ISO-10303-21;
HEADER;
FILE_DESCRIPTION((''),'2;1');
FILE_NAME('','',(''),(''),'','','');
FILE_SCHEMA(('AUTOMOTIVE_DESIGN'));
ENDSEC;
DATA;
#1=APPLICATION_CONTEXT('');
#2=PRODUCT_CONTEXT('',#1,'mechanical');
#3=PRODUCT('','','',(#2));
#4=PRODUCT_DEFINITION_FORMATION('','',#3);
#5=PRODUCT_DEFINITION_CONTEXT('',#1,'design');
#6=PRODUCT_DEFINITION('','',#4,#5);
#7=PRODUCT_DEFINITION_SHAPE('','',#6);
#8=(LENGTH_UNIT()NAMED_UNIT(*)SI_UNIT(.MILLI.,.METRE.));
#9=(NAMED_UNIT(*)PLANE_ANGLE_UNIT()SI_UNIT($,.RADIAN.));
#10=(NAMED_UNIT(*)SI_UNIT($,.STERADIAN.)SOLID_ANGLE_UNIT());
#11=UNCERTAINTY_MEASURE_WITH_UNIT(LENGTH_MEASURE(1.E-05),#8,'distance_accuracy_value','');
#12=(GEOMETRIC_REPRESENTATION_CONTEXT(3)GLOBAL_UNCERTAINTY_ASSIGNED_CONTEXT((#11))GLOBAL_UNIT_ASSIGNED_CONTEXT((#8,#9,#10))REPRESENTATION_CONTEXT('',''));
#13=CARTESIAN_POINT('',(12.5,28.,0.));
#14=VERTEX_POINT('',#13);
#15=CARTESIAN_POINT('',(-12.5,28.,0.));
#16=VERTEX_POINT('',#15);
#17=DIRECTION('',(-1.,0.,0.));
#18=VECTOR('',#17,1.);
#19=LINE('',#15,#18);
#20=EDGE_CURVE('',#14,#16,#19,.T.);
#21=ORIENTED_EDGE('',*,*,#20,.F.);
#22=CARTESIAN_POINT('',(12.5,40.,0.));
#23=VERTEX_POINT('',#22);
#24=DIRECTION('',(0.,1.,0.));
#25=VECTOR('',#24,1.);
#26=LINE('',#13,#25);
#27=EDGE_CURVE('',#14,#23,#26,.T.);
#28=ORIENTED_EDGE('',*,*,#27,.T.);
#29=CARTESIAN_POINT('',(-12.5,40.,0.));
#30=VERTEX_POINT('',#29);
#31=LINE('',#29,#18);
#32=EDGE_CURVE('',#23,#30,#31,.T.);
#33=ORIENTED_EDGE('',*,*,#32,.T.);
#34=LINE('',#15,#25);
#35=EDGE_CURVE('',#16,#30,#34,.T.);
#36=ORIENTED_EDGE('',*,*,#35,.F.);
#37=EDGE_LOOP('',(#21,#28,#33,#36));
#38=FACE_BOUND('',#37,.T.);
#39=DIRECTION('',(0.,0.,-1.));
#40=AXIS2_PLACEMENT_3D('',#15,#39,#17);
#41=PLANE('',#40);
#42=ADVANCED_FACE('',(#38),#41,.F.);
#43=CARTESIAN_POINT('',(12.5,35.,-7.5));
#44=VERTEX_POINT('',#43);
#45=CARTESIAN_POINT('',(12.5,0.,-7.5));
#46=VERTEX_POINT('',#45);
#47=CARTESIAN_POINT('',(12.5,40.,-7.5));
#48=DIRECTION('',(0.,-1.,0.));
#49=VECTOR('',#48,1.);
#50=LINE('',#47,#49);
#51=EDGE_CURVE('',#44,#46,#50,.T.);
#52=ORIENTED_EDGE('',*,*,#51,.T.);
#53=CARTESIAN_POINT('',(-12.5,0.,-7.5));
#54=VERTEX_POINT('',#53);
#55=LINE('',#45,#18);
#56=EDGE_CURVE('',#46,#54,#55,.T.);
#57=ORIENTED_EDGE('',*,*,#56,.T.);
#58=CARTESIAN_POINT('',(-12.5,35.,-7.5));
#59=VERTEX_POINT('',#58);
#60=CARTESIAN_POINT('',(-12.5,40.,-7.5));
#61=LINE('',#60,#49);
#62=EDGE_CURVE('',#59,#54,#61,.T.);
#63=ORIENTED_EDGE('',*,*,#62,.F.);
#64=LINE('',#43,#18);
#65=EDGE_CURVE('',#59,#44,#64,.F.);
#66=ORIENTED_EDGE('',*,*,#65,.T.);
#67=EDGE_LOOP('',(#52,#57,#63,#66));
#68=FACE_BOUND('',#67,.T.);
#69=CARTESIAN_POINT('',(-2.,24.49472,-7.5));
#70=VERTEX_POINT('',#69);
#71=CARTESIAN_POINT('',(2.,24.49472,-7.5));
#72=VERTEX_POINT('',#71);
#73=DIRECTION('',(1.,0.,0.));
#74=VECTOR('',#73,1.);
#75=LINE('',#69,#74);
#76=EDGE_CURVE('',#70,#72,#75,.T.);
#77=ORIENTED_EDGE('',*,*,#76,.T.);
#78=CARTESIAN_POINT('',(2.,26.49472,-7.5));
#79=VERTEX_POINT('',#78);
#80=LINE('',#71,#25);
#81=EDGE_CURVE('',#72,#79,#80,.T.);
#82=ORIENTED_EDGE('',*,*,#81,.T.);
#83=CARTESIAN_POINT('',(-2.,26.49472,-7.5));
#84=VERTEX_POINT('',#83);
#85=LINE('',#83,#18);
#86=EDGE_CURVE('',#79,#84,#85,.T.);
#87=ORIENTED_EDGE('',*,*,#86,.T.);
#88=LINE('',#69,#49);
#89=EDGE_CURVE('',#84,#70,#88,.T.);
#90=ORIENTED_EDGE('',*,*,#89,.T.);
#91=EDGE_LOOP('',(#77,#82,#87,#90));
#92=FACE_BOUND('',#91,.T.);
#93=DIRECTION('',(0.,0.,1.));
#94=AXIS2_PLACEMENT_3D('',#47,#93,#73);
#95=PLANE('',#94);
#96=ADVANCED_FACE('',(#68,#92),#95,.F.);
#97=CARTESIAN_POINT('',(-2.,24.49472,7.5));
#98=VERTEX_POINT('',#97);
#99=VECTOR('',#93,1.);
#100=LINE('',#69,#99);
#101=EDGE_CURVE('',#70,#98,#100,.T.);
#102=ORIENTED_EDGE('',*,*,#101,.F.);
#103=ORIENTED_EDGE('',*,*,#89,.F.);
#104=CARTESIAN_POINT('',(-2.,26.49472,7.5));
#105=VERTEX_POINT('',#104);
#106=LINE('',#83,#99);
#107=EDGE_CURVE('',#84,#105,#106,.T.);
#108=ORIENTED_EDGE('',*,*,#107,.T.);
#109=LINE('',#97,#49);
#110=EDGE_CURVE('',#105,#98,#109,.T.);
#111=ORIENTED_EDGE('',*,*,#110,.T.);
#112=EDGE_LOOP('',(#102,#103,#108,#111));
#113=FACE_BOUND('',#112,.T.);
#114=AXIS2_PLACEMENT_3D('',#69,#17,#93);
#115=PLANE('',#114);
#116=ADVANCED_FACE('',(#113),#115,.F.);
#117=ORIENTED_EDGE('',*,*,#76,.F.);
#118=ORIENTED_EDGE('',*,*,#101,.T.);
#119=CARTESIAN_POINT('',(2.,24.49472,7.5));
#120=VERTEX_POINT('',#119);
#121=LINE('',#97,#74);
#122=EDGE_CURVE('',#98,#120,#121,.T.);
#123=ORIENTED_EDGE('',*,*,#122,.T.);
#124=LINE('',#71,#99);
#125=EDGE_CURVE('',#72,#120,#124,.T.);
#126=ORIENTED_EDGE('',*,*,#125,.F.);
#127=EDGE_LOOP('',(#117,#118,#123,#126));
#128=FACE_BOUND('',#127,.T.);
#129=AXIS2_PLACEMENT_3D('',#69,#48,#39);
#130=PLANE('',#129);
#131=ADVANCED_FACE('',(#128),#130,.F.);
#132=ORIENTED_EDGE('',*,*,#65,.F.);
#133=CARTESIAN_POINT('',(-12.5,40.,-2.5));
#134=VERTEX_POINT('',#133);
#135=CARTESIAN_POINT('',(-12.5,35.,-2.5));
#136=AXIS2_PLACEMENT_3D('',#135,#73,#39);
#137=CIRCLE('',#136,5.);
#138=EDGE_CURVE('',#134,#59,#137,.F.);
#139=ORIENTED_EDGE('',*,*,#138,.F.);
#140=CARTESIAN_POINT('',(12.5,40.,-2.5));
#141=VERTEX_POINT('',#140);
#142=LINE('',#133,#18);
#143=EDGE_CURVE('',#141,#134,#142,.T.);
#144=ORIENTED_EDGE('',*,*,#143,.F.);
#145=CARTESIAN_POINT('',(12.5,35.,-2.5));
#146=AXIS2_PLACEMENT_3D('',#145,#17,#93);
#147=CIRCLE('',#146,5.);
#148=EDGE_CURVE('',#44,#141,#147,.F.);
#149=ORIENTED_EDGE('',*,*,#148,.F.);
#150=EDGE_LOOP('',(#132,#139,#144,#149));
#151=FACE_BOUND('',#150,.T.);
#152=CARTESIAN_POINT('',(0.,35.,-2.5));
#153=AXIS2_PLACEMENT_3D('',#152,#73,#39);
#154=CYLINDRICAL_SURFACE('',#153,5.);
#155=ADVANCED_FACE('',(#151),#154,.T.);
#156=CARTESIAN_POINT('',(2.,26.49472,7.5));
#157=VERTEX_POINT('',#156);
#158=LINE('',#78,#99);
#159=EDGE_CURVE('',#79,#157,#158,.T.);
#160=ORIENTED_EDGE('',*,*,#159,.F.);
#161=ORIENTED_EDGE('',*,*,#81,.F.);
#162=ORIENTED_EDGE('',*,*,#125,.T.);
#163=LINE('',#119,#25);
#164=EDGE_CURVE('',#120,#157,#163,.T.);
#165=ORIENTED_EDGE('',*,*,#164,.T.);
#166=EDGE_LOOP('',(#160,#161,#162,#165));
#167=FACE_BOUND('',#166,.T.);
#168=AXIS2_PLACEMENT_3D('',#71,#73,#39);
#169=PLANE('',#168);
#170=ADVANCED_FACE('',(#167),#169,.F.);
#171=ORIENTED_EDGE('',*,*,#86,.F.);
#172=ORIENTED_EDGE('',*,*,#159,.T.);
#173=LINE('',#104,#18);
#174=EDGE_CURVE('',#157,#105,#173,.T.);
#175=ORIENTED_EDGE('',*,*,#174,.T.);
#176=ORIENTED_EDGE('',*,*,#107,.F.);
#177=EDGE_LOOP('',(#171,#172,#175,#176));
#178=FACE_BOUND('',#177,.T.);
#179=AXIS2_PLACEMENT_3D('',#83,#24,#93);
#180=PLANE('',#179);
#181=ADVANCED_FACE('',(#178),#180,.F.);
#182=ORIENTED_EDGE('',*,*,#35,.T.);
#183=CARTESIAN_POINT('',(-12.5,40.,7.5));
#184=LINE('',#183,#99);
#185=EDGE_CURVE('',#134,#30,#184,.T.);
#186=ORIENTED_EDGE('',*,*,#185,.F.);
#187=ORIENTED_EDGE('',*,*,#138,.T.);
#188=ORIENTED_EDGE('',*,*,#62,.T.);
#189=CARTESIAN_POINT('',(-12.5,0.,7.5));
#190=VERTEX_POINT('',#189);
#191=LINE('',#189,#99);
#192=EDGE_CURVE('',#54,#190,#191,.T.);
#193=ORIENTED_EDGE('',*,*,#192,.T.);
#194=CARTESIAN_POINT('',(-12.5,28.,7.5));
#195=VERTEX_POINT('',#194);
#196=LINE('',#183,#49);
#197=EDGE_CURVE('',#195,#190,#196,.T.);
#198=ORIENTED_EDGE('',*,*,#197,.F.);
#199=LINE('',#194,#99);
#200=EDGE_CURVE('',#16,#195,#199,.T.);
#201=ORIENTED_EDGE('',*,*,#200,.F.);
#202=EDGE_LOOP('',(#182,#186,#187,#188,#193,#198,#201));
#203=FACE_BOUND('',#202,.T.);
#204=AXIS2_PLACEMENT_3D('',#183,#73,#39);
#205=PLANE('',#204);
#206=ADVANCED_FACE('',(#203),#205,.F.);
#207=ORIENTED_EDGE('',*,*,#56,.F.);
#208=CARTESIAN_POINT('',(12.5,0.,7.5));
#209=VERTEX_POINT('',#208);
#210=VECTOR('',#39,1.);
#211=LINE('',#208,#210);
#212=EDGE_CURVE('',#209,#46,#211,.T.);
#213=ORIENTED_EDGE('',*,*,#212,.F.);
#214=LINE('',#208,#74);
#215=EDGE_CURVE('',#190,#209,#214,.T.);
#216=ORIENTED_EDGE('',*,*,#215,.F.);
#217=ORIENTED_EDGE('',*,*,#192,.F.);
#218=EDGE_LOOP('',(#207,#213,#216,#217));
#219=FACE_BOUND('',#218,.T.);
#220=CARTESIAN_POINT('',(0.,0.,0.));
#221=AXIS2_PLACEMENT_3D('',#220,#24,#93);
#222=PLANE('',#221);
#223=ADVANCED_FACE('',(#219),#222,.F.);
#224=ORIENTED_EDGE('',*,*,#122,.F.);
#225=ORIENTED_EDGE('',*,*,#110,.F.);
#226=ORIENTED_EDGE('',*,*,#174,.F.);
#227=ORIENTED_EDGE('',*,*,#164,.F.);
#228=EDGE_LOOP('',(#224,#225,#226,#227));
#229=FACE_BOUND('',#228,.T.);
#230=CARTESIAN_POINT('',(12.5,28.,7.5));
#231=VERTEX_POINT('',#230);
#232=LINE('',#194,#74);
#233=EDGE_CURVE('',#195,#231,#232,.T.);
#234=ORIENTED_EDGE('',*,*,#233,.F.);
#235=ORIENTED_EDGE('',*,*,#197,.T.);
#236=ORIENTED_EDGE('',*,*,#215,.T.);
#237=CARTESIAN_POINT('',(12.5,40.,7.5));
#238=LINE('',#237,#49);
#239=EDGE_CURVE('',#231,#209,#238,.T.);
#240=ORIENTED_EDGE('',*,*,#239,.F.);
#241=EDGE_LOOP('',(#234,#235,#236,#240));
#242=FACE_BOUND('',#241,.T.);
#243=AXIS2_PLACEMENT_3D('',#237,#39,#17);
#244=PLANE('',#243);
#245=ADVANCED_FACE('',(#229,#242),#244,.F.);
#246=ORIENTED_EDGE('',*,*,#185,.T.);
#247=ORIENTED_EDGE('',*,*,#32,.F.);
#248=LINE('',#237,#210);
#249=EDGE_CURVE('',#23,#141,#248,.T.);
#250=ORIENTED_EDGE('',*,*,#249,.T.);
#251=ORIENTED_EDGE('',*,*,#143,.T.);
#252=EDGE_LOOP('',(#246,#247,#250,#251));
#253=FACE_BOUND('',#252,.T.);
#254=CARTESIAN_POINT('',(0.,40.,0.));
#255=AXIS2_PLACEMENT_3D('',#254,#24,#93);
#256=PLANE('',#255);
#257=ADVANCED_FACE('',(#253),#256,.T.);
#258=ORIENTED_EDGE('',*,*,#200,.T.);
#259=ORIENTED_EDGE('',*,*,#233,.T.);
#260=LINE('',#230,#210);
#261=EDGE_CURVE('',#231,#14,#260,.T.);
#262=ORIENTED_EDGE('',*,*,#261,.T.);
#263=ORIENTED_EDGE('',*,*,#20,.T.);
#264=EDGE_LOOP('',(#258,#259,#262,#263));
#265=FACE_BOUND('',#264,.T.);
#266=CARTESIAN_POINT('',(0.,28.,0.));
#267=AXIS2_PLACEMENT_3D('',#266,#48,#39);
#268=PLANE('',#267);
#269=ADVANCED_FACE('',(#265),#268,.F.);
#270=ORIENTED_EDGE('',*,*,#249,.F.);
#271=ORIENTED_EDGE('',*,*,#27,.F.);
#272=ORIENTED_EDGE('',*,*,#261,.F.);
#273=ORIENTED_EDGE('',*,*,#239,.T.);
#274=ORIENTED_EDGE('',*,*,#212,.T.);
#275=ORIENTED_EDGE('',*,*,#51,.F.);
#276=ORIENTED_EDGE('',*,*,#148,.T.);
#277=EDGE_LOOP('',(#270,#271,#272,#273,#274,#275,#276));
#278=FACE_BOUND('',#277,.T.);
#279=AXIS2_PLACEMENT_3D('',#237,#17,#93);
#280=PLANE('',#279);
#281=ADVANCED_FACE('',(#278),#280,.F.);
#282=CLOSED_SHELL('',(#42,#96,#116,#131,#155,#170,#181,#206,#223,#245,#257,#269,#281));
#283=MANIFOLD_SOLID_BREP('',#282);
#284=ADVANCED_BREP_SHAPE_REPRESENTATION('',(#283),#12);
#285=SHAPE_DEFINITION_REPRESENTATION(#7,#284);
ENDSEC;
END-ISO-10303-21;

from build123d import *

# Parameters (mm, degrees)
SKIZZE1_W                       = 25
SKIZZE1_H                       = 15
AUFSATZ_LINEAR_AUSTRAGEN1_DEPTH = 40
SKIZZE2_W                       = 25
SKIZZE2_H                       = 7.5
SCHNITT_LINEAR_AUSTRAGEN1_DEPTH = 12
VERRUNDUNG1_R                   = 5
SKIZZE3_W                       = 4
SKIZZE3_H                       = 2
SCHNITT_LINEAR_AUSTRAGEN2_DEPTH = 45.511234537


with BuildPart() as part:
    # Skizze1 → Aufsatz-Linear austragen1 (new body)
    with BuildSketch(Plane(origin=(0, 0, 0), x_dir=(1, 0, 0), z_dir=(0, 1, 0))):
        Rectangle(SKIZZE1_W, SKIZZE1_H)
    extrude(amount=AUFSATZ_LINEAR_AUSTRAGEN1_DEPTH)

    # Skizze2 → Schnitt-Linear austragen1 (cut)
    with BuildSketch(Plane(origin=(0, 40, 0), x_dir=(1, 0, 0), z_dir=(0, 1, 0))):
        with Locations((0, -3.75)):
            Rectangle(SKIZZE2_W, SKIZZE2_H)
    extrude(amount=-SCHNITT_LINEAR_AUSTRAGEN1_DEPTH, mode=Mode.SUBTRACT)

    # Verrundung1
    verrundung1_edges = [part.edges().sort_by_distance(p)[0] for p in [
        (0, 40, -7.5),
    ]]
    fillet(verrundung1_edges, radius=VERRUNDUNG1_R)

    # Skizze3 → Schnitt-Linear austragen2 (cut, through all)
    with BuildSketch(Plane.XY.offset(7.5)):
        with Locations((0, 25.494720236)):
            Rectangle(SKIZZE3_W, SKIZZE3_H)
    extrude(amount=-SCHNITT_LINEAR_AUSTRAGEN2_DEPTH, mode=Mode.SUBTRACT)


solid = part.part
